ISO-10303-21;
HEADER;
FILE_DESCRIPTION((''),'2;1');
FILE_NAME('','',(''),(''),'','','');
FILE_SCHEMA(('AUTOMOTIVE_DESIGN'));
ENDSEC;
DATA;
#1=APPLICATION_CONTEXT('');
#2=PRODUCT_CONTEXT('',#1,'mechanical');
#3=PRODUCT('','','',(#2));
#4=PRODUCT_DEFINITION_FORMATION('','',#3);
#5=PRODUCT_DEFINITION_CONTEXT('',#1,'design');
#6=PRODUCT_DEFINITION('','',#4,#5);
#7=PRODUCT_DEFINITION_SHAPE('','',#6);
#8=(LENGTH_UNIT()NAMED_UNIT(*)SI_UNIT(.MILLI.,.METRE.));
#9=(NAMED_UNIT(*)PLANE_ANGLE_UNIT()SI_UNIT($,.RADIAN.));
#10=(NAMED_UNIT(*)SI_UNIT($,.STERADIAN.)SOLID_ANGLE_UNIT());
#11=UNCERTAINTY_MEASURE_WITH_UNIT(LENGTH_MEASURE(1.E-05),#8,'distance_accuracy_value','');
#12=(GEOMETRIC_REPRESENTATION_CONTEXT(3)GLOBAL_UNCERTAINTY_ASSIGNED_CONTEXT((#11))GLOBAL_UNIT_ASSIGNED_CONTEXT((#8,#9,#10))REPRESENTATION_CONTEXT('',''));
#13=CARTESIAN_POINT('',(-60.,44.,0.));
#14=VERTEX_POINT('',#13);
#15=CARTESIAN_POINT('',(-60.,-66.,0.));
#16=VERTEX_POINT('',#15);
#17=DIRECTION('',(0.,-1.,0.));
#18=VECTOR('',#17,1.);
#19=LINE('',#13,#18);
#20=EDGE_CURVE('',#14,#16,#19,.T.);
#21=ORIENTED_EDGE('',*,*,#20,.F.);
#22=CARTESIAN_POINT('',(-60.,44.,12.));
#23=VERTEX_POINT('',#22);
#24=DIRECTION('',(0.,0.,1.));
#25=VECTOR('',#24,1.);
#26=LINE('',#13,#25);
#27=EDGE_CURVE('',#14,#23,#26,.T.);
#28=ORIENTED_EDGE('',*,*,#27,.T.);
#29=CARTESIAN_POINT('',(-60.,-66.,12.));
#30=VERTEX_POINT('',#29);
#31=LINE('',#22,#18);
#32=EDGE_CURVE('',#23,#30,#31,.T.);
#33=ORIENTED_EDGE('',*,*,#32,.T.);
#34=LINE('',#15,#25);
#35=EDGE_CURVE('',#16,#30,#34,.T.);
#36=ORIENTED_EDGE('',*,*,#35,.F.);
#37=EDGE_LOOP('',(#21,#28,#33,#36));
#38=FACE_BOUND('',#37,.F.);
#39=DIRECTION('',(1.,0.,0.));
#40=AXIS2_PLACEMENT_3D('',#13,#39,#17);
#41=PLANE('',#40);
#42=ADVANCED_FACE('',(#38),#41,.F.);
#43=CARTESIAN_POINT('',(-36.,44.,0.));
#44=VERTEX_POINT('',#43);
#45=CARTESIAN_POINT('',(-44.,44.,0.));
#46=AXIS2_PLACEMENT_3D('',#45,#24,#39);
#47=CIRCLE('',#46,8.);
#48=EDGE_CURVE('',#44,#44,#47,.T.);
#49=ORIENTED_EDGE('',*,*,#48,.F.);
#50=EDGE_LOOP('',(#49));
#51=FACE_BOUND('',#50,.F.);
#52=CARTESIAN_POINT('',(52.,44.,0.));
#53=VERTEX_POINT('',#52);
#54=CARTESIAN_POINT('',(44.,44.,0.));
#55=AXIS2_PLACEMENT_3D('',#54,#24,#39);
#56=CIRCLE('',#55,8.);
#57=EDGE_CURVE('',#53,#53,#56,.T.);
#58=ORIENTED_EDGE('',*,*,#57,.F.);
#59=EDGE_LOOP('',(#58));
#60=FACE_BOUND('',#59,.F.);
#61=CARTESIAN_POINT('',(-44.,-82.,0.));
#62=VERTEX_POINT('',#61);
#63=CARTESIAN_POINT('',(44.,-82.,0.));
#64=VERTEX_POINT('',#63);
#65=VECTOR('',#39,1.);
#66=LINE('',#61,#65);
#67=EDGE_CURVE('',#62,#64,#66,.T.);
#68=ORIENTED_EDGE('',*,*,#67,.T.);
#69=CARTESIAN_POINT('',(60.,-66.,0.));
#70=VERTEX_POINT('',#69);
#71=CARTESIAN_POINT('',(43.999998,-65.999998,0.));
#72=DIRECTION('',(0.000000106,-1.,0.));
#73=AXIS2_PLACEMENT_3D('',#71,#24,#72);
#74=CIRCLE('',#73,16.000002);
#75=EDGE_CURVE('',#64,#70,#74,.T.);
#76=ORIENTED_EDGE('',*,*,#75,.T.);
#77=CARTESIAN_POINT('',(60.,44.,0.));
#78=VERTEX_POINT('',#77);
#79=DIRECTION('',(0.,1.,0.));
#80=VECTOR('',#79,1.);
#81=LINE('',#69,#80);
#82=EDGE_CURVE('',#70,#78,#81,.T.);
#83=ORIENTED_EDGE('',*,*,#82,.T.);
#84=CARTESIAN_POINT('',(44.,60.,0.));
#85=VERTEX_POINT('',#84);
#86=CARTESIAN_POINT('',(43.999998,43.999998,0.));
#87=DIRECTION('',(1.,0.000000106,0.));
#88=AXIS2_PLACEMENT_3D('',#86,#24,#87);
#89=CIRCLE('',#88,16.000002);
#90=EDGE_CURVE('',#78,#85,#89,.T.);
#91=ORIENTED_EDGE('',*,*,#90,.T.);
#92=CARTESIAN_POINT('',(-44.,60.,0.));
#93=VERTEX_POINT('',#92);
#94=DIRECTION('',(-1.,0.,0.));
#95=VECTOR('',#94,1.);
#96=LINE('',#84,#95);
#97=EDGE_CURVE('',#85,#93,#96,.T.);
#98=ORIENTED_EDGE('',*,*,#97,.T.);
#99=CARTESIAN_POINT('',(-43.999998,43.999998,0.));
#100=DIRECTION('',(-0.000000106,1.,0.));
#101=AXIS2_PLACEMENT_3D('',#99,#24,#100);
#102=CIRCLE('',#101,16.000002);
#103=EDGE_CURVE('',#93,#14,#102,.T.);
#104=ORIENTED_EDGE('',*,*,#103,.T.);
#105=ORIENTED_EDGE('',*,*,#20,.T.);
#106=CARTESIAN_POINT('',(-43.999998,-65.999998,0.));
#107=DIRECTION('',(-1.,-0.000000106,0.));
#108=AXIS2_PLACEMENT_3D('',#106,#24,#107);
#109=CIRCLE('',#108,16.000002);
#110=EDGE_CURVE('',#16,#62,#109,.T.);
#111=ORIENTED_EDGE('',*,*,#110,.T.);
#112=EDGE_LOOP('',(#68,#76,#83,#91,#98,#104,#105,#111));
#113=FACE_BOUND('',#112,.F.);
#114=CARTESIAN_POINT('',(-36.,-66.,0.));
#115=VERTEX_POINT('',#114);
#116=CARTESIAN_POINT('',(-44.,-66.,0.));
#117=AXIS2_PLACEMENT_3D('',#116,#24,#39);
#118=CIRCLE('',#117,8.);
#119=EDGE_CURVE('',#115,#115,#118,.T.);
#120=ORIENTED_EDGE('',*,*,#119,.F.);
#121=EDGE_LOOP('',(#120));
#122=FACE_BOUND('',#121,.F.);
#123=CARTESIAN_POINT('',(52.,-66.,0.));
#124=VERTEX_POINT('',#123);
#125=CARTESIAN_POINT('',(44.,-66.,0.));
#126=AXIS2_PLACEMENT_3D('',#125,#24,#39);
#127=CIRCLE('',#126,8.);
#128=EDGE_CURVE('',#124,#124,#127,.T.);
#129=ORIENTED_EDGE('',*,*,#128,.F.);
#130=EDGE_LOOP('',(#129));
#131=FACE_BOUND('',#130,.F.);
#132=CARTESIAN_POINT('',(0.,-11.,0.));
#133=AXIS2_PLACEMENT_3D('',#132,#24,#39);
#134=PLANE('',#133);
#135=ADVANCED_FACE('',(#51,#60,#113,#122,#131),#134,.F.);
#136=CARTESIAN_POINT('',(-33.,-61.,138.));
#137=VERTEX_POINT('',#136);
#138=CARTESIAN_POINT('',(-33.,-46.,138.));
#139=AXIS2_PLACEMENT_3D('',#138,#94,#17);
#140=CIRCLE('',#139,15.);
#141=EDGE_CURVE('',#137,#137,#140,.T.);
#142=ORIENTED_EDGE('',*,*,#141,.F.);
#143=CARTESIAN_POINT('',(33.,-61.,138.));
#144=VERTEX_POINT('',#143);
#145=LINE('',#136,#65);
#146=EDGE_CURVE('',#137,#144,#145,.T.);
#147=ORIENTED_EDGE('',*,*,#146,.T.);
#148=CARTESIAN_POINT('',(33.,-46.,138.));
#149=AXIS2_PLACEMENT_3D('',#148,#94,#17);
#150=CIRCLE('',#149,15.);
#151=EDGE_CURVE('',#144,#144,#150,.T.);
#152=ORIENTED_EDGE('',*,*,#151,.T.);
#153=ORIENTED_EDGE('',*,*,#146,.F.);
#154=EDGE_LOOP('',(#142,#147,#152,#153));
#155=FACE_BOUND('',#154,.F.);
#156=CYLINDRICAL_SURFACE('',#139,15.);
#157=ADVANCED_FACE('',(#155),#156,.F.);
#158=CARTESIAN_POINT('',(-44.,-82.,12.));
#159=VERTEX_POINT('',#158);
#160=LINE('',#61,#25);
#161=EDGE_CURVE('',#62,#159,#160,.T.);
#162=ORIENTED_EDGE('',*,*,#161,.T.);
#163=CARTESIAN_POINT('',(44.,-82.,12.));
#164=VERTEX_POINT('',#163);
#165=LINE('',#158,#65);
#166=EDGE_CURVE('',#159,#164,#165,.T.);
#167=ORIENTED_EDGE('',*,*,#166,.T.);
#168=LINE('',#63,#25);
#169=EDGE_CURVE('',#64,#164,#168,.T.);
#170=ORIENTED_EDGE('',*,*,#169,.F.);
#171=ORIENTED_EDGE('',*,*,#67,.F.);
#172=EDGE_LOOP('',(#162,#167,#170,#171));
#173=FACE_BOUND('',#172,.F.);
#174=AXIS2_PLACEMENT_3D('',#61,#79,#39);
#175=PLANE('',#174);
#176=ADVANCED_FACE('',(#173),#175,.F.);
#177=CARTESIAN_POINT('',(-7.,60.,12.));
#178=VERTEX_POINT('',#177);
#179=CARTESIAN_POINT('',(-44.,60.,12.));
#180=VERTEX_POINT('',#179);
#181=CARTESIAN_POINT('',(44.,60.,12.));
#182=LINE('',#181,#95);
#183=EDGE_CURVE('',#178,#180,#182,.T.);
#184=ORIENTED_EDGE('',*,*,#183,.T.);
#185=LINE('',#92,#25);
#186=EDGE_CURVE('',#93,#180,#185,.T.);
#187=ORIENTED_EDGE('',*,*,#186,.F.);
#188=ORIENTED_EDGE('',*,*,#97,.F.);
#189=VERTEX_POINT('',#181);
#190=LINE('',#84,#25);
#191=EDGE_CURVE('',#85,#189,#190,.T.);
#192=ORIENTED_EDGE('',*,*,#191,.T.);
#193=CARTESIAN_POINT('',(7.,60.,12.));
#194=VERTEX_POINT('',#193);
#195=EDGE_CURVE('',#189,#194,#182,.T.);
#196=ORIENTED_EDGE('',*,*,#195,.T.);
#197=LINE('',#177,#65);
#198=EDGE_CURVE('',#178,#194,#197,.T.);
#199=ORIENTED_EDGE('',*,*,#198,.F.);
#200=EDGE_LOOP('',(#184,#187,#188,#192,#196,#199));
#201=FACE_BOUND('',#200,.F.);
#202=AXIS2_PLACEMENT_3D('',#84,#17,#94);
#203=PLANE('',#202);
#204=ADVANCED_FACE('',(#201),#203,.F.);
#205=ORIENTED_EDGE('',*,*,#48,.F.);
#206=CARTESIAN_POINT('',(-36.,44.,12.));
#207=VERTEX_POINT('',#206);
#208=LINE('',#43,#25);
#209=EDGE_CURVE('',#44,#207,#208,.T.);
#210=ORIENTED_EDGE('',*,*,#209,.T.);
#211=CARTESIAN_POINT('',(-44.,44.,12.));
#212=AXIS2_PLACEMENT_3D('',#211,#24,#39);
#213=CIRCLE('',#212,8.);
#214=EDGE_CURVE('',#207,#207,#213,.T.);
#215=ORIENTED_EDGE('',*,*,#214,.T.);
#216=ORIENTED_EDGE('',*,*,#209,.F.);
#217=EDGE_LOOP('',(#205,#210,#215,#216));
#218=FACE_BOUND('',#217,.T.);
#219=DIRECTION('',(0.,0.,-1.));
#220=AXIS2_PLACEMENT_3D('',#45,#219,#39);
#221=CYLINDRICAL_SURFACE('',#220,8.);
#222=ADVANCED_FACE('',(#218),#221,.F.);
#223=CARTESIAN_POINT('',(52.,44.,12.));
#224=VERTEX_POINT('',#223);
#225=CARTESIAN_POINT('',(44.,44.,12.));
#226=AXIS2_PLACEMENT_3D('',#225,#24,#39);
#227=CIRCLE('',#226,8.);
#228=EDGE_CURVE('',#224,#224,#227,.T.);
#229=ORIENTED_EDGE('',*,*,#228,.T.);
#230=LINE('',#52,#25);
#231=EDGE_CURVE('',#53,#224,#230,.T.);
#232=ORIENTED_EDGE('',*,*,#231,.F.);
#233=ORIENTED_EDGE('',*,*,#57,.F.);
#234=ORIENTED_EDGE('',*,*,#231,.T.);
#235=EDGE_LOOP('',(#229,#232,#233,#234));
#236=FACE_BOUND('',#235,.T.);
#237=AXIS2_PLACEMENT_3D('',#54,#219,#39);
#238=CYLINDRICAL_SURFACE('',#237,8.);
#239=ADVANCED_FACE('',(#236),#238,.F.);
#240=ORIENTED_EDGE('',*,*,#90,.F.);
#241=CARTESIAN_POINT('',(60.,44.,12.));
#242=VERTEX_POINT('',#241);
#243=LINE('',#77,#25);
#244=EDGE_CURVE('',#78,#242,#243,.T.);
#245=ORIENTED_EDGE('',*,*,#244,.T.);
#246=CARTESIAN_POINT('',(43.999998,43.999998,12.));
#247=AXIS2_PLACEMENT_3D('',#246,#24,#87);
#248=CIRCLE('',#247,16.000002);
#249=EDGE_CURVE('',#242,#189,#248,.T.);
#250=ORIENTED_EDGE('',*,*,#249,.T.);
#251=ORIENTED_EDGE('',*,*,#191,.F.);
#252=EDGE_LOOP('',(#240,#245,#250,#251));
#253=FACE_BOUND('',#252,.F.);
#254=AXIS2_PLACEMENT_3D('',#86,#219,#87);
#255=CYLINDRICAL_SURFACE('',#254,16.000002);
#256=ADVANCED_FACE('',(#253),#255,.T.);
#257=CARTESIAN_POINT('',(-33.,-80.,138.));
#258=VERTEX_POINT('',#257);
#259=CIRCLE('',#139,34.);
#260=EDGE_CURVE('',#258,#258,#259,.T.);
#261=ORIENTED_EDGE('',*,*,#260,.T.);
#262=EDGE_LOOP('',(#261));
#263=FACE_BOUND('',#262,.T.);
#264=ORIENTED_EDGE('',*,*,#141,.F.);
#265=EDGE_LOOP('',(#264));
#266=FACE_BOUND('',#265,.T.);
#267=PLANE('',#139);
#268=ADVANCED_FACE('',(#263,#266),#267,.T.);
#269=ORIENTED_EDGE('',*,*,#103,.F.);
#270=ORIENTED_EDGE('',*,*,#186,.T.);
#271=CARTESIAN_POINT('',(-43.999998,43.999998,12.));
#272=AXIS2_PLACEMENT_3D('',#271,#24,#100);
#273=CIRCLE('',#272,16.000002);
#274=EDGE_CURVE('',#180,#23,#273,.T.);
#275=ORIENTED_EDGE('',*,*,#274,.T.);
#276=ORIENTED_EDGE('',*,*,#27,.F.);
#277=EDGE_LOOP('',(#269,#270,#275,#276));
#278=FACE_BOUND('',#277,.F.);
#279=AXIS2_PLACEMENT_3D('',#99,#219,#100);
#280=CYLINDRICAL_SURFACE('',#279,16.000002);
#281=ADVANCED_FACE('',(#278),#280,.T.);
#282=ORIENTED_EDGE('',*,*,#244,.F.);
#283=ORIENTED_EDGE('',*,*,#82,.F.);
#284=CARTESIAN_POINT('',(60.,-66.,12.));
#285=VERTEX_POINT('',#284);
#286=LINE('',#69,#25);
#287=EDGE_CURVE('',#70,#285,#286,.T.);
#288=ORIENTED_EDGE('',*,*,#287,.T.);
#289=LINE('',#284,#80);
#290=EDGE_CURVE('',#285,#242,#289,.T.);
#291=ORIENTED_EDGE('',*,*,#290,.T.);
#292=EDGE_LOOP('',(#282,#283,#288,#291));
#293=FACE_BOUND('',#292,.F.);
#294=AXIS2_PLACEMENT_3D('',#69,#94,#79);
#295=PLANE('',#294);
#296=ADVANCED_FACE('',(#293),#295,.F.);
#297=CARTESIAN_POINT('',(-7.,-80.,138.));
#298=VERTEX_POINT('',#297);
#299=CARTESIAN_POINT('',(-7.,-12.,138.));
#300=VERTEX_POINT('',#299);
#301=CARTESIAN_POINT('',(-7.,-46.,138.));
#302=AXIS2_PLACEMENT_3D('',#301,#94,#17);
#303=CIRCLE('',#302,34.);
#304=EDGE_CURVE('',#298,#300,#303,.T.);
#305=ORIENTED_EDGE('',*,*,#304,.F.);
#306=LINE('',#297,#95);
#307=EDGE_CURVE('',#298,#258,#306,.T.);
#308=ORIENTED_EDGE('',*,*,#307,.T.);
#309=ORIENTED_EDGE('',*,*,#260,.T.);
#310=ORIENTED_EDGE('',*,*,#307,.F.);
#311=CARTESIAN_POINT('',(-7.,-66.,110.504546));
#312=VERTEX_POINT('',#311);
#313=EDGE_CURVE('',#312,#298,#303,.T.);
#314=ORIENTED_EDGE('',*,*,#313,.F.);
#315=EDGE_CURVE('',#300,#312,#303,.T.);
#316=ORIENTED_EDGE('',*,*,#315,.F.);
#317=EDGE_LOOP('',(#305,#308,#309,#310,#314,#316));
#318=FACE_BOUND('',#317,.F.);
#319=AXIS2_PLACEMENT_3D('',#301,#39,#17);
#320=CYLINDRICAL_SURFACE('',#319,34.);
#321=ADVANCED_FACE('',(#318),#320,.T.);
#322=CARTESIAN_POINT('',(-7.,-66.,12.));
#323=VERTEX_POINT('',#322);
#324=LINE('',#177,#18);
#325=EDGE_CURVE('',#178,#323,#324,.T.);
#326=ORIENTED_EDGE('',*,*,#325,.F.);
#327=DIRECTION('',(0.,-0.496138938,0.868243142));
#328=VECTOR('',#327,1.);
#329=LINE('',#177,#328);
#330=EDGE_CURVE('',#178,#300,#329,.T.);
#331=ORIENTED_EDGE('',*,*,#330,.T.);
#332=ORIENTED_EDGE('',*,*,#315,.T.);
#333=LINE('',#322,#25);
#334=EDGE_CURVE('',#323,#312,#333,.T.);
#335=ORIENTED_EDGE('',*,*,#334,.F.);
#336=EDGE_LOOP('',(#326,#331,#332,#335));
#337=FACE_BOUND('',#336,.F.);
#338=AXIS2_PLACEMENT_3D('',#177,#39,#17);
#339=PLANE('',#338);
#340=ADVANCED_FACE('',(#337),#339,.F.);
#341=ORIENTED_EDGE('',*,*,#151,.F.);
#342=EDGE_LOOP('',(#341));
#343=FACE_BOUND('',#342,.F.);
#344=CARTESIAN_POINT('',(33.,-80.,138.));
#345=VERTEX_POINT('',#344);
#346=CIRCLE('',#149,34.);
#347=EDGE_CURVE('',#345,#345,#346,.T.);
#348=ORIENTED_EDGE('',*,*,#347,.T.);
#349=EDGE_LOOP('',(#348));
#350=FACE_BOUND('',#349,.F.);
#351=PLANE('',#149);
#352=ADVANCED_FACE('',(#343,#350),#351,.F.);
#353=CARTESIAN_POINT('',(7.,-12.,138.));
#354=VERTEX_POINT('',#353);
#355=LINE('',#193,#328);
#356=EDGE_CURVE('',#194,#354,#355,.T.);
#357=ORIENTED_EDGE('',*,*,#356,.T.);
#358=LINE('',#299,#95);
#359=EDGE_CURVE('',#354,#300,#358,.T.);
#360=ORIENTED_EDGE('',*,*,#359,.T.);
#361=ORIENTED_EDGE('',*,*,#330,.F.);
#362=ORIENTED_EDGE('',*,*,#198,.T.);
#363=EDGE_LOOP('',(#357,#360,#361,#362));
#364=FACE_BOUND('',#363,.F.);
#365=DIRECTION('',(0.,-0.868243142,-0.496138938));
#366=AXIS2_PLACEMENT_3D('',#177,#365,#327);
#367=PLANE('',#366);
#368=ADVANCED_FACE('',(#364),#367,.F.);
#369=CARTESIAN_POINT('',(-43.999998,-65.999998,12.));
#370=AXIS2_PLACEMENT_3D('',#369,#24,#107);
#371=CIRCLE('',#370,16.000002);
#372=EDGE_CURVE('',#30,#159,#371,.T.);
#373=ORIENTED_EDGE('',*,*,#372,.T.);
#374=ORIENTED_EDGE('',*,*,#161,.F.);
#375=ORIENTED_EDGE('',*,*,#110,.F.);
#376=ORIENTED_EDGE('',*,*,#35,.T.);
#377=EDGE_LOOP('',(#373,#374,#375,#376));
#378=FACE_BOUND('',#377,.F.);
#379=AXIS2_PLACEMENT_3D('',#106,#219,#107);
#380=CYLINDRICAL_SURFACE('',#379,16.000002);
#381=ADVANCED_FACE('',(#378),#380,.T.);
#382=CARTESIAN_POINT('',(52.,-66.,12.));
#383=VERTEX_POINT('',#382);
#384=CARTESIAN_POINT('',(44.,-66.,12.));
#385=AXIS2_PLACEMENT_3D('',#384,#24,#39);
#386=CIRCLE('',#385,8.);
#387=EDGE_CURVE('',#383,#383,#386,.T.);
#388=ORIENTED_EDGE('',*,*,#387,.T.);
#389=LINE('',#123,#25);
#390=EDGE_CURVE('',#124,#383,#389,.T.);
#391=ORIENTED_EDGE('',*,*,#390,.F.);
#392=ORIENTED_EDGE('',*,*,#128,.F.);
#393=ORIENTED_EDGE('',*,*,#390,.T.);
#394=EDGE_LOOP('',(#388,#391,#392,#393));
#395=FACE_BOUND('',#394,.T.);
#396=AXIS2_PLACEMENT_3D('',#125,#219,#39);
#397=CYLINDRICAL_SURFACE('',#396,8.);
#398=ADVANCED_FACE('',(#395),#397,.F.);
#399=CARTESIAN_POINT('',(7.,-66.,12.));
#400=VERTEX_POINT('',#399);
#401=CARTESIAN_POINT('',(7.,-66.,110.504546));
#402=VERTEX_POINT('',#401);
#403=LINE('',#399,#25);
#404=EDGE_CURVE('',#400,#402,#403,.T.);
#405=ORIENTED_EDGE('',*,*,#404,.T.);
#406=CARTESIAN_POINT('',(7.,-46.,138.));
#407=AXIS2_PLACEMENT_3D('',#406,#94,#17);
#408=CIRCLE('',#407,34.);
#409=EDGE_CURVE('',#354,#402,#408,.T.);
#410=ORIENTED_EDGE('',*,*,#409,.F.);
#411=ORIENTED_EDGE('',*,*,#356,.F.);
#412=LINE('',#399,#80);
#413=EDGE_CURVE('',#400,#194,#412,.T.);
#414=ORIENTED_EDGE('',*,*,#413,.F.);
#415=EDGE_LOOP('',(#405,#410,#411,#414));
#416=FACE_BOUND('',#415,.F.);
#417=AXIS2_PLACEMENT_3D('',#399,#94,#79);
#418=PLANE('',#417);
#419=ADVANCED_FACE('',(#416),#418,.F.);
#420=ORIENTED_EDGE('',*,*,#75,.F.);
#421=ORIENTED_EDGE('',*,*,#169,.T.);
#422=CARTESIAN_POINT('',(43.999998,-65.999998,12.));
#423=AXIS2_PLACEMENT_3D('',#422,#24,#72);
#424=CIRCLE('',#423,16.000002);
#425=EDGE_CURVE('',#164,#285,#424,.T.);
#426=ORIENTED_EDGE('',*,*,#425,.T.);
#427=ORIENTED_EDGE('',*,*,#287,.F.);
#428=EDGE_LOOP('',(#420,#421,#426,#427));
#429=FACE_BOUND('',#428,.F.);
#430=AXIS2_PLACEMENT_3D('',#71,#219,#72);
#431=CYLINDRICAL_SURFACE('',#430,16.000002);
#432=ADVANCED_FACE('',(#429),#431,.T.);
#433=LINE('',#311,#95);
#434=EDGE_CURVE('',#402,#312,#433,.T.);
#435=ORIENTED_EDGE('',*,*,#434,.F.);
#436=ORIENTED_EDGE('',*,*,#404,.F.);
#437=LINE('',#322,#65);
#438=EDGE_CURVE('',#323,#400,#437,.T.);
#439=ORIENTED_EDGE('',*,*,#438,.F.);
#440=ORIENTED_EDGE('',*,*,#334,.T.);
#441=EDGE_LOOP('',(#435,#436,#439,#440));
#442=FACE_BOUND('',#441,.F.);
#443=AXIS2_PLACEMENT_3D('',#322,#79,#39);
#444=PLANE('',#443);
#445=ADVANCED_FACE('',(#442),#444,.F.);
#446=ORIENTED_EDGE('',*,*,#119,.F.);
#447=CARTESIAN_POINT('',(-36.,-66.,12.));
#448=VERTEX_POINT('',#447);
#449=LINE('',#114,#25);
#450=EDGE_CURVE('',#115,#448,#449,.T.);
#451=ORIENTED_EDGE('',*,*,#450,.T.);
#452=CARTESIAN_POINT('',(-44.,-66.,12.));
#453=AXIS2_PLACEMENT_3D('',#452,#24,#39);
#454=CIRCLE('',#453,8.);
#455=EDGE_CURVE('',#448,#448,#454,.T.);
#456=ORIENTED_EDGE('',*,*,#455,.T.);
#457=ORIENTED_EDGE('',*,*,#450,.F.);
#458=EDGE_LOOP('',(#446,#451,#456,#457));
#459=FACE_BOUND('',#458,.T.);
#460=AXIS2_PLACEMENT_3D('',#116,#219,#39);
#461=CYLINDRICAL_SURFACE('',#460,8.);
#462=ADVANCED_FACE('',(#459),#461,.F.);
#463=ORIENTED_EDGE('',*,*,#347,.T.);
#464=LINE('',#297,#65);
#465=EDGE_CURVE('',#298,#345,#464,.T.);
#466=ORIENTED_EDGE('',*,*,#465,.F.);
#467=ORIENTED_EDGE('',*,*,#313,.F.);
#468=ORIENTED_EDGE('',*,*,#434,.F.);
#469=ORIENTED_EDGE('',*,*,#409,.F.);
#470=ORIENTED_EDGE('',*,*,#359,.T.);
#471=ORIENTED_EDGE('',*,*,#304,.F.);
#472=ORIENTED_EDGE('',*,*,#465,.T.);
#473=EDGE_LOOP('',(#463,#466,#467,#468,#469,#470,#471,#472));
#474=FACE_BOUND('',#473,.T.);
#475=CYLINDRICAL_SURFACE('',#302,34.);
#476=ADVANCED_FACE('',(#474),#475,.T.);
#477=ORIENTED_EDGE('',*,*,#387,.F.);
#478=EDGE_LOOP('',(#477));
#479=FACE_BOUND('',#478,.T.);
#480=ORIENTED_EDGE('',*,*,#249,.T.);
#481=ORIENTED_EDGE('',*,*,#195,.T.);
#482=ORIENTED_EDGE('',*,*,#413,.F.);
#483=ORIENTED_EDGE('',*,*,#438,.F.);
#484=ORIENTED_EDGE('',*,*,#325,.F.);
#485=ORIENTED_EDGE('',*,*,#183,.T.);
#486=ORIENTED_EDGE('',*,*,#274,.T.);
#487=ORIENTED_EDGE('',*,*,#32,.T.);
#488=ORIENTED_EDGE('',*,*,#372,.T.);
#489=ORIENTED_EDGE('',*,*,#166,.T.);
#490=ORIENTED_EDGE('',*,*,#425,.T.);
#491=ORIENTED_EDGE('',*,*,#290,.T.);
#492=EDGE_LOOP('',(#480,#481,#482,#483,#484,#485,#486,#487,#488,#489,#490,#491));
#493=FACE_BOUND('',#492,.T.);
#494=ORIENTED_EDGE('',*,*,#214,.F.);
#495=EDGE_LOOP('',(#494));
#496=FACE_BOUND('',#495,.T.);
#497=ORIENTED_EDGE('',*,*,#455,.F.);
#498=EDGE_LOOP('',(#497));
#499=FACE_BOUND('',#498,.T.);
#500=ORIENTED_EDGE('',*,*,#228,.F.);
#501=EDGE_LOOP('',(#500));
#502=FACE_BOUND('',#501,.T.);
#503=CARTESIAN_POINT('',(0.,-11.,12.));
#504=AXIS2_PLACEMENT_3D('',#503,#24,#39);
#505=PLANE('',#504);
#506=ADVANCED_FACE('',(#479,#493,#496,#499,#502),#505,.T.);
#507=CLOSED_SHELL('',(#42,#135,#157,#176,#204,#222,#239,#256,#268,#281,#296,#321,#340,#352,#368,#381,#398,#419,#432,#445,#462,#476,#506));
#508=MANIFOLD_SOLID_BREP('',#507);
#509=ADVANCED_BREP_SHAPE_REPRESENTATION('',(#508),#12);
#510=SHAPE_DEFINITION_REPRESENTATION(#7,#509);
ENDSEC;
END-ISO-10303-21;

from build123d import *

# Parameters (mm, degrees)
F0_R      = 8
F1_DEPTH  = 12
F3_DEPTH  = 126
F4_R      = 34
F5_DEPTH  = 26
F6_DEPTH  = 40
F7_R      = 15
F8_DEPTH  = 66
F10_DEPTH = 14


with BuildPart() as f1:
    # F0 (on Top) → F1 (new body)
    with BuildSketch(Plane.XY):
        with BuildLine():
            ThreePointArc((-60, -66), (-55.313708, -77.313708), (-44, -82))
            Line((-44, -82), (44, -82))
            ThreePointArc((44, -82), (55.313708, -77.313708), (60, -66))
            Line((60, -66), (60, 44))
            ThreePointArc((60, 44), (55.313708, 55.313708), (44, 60))
            Line((44, 60), (0, 60))
            Line((0, 60), (-44, 60))
            ThreePointArc((-44, 60), (-55.313708, 55.313708), (-60, 44))
            Line((-60, 44), (-60, -66))
        make_face()
        with Locations((-44, -66)):
            Circle(F0_R, mode=Mode.SUBTRACT)
        with Locations((44, -66)):
            Circle(F0_R, mode=Mode.SUBTRACT)
        with Locations((-44, 44)):
            Circle(F0_R, mode=Mode.SUBTRACT)
        with Locations((44, 44)):
            Circle(F0_R, mode=Mode.SUBTRACT)
    extrude(amount=F1_DEPTH)

    # F2 (on face) → F3 (join)
    with BuildSketch(Plane.XY.offset(12)):
        Polygon((7, 60), (0, 60), (-7, 60), (-7, -66), (7, -66), align=None)
    extrude(amount=F3_DEPTH)

    # F4 (on face) → F5 (join)
    with BuildSketch(Plane(origin=(-7, 0, 0), x_dir=(0, -1, 0), z_dir=(-1, 0, 0))):
        with Locations((46, 138)):
            Circle(F4_R)
    extrude(amount=F5_DEPTH)

    # F4 (on face) → F6 (join)
    with BuildSketch(Plane(origin=(-7, 0, 0), x_dir=(0, -1, 0), z_dir=(-1, 0, 0))):
        with Locations((46, 138)):
            Circle(F4_R)
    extrude(amount=-F6_DEPTH)

    # F7 (on face) → F8 (cut)
    with BuildSketch(Plane(origin=(-33, 0, 0), x_dir=(0, -1, 0), z_dir=(-1, 0, 0))):
        with Locations((46, 138)):
            Circle(F7_R)
    extrude(amount=-F8_DEPTH, mode=Mode.SUBTRACT)

    # F9 (on face) → F10 (cut)
    with BuildSketch(Plane(origin=(-7, 0, 0), x_dir=(0, -1, 0), z_dir=(-1, 0, 0))):
        Polygon((-60, 12), (12, 138), (-60, 138), align=None)
    extrude(amount=-F10_DEPTH, mode=Mode.SUBTRACT)


solid = f1.part
